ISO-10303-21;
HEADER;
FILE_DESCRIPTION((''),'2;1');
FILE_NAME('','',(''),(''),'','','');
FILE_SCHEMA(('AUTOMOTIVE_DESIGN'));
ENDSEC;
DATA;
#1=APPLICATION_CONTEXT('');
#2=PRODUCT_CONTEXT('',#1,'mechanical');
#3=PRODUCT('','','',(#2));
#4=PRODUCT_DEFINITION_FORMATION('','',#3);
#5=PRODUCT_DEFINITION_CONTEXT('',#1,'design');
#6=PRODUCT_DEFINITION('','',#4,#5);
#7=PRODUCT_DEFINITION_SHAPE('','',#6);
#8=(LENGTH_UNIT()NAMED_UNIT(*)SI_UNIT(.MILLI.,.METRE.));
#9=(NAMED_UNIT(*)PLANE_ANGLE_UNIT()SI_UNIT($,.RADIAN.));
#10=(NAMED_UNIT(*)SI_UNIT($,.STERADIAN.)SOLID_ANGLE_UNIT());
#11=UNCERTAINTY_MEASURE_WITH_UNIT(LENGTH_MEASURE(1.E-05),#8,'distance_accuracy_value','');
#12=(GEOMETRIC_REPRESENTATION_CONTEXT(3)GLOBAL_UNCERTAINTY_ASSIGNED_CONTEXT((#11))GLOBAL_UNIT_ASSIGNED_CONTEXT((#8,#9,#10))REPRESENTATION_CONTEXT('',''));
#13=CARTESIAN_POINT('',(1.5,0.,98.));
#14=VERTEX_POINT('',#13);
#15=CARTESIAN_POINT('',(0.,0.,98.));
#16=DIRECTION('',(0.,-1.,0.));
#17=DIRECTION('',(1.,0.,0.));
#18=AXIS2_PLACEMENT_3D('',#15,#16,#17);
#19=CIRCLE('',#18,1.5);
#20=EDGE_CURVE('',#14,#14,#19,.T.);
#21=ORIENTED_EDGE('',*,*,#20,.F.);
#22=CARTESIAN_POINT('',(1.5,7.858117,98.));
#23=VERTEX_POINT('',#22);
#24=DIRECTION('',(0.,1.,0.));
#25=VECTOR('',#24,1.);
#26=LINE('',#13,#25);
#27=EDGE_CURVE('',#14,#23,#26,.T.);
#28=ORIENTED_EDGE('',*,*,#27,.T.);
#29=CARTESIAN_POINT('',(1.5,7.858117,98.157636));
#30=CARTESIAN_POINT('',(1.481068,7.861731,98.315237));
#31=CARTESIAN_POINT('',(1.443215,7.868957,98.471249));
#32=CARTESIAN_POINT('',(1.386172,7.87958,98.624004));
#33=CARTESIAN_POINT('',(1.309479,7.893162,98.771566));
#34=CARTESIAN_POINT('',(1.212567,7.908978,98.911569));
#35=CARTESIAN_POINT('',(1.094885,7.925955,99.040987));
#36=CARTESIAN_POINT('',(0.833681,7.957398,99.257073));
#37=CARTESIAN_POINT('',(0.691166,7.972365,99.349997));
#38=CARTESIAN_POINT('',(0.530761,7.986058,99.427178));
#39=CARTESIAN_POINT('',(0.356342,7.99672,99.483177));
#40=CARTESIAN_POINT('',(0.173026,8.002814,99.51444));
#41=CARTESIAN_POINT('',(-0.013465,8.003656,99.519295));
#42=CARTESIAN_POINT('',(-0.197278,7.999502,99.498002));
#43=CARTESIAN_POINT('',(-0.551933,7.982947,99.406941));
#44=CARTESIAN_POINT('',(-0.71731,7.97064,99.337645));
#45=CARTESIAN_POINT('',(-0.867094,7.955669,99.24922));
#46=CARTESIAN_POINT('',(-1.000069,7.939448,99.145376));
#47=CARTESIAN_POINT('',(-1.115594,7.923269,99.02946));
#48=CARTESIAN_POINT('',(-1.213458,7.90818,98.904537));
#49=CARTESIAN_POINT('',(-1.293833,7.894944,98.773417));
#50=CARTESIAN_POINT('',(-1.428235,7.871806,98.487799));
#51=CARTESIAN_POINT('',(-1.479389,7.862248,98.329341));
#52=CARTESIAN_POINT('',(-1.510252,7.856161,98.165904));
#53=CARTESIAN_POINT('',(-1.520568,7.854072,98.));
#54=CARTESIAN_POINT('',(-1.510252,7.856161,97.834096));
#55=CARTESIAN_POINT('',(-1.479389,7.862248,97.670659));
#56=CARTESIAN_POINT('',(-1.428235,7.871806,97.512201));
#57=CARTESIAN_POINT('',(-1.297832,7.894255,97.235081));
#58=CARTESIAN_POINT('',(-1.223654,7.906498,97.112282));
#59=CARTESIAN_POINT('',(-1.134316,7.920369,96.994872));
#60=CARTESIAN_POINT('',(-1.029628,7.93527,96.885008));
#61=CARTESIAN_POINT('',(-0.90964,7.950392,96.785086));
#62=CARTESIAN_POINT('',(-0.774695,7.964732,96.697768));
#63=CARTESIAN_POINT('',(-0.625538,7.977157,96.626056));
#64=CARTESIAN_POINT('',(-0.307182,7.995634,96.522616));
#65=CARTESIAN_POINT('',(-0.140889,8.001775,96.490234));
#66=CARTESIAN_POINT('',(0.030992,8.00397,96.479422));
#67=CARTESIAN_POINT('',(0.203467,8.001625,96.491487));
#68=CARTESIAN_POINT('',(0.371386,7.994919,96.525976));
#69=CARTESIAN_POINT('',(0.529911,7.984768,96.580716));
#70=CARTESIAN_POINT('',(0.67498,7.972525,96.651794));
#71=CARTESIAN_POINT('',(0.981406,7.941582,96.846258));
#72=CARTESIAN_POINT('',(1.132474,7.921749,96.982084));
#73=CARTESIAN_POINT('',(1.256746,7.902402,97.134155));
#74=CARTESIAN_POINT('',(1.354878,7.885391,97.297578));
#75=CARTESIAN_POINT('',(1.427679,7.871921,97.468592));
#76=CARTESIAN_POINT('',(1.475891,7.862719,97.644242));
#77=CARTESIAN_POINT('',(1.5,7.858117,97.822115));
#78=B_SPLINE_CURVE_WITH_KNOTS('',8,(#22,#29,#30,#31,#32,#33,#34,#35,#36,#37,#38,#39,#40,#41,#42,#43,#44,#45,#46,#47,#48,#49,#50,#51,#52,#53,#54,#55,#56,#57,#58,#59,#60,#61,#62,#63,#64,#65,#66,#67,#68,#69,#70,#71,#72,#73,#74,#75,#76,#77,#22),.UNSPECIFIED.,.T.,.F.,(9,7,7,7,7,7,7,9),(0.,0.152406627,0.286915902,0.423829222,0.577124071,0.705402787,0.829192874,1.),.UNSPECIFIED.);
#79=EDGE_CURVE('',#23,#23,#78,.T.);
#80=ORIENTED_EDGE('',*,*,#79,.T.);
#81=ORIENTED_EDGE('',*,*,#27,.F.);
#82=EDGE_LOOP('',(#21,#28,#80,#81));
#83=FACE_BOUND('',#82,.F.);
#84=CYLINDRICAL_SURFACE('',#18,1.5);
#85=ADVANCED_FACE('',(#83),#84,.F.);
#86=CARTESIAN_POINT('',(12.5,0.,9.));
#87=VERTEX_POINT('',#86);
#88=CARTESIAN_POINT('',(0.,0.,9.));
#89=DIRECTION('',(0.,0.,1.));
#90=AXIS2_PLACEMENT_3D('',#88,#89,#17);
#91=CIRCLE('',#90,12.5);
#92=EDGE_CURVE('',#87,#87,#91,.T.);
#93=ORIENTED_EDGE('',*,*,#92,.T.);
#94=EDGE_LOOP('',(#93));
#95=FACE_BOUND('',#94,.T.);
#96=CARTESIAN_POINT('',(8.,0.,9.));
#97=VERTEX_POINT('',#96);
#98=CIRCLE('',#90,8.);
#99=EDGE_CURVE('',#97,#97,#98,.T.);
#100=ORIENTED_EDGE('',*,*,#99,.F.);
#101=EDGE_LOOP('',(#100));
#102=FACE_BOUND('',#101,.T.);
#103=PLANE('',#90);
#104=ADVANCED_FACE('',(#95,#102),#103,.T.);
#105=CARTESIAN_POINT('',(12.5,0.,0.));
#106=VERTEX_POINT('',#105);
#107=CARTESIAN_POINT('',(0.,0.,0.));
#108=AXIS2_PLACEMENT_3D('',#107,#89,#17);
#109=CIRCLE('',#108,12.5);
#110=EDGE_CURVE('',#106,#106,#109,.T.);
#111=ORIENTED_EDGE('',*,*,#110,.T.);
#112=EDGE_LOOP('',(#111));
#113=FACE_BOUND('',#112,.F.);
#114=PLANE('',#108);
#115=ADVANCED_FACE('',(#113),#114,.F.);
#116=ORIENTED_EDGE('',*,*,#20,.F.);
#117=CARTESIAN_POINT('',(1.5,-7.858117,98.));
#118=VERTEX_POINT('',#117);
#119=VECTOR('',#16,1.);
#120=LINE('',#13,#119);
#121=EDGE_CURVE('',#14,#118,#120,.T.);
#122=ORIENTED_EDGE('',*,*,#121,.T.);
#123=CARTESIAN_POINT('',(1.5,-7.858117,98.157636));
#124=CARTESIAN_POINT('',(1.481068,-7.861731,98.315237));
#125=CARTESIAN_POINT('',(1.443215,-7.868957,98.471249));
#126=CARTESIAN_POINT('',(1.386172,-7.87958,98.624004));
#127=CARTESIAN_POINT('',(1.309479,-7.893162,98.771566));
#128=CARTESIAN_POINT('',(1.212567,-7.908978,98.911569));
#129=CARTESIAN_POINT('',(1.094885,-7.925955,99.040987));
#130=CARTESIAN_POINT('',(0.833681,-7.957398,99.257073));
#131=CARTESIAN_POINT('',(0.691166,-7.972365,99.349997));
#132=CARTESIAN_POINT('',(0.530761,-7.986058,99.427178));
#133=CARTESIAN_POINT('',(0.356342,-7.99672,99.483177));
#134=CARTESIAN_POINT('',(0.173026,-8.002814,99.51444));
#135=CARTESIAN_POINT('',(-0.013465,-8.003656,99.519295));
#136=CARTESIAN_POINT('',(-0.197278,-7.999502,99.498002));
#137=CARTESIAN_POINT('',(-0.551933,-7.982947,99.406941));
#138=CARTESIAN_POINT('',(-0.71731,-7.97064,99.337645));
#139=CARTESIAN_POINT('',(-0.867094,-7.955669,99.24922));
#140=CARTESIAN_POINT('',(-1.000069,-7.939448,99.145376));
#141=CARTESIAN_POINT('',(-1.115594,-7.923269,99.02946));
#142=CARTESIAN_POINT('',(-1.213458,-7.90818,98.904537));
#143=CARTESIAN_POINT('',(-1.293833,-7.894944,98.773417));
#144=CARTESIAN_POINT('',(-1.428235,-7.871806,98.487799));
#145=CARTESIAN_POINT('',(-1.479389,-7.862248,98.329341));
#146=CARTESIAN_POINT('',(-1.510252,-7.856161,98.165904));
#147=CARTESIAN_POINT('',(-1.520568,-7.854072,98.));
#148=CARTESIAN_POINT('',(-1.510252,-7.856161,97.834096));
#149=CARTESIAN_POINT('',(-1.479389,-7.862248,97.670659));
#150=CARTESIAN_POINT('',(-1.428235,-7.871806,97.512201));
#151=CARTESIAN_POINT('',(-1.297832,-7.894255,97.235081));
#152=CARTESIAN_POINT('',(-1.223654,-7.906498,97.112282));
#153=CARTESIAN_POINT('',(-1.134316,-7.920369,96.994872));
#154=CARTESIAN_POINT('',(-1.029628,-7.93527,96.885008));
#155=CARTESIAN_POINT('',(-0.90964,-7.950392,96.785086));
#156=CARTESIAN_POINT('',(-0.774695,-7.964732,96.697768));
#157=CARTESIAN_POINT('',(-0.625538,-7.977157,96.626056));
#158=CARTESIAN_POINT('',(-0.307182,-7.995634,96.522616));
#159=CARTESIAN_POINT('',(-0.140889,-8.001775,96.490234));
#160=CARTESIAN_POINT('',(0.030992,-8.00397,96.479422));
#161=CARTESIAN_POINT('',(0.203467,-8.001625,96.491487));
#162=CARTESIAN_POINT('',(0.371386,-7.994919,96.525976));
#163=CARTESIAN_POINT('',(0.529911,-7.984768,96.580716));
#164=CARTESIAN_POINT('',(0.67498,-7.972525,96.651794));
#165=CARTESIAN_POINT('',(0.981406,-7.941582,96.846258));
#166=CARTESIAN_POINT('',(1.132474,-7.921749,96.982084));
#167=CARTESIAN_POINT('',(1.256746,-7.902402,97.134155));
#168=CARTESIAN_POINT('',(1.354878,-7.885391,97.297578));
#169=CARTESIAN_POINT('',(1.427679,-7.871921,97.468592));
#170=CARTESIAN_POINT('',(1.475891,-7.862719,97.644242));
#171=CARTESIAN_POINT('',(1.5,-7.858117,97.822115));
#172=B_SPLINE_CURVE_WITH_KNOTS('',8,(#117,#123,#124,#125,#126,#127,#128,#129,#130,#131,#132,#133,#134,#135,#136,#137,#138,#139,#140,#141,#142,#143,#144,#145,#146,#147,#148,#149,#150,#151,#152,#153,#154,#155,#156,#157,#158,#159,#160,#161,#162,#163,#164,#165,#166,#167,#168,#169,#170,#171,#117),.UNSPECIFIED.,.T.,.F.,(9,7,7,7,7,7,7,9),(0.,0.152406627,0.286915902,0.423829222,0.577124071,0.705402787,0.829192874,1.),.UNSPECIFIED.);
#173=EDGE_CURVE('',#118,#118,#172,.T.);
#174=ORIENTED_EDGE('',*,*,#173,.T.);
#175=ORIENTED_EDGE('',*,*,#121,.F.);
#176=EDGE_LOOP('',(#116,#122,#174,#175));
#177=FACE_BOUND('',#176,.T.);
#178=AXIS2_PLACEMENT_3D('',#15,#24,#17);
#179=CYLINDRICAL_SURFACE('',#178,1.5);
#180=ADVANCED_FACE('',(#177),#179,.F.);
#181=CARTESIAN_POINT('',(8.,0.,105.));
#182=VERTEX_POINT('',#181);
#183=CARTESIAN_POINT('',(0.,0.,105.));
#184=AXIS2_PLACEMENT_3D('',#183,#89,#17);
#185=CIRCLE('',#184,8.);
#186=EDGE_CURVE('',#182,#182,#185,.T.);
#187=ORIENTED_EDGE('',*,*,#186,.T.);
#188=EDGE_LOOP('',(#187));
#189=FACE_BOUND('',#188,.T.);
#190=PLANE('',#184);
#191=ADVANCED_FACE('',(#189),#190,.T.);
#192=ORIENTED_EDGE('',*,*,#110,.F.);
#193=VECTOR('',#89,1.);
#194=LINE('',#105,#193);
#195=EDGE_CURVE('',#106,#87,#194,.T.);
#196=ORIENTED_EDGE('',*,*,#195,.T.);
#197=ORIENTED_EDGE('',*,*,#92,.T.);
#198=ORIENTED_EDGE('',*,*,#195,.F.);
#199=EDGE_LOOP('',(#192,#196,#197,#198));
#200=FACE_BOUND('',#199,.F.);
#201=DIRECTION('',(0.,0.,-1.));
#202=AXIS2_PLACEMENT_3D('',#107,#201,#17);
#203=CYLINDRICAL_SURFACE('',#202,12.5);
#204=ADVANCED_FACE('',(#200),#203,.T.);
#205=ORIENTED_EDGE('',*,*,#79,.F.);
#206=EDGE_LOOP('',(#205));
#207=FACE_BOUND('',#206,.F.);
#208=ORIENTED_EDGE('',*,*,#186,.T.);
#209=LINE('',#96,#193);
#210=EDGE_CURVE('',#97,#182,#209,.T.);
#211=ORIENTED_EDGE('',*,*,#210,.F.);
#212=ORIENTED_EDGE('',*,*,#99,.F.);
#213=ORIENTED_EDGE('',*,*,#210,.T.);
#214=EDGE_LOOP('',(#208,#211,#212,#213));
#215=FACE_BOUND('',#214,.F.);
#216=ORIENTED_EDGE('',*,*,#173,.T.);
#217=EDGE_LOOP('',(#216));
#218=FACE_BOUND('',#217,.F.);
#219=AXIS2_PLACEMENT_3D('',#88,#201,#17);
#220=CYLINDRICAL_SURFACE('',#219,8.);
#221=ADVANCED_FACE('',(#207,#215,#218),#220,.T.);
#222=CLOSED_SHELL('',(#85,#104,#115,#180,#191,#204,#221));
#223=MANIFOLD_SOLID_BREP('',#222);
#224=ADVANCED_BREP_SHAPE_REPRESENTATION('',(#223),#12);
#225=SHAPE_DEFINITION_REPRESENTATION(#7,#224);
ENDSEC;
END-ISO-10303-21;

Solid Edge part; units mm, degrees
sketch "Sketch1" plane through (0, 0, 0) normal (0, 0, 1) x (1, 0, 0)
  circle A0 centre (0, 0) radius 12.5
extrude "Protrusion1" add sketch "Sketch1" along normal blind 9
sketch "Sketch2" plane through (0, 0, 9) normal (0, 0, 1) x (1, 0, 0)
  circle A0 centre (0, 0) radius 8
  dimension "D1" = 16
extrude "ExtrudedProtrusion_2" add sketch "Sketch2" along normal blind 96
sketch "Sketch3" plane through (0, 0, 0) normal (0, -1, 0) x (1, 0, 0)
  circle A0 centre (0, 98) radius 1.5
  dimension "D1" = 89
extrude "ExtrudedCutout_1" cut sketch "Sketch3" along normal mid plane 130.3633
properties part number "5" material "Fe - 410 W"
